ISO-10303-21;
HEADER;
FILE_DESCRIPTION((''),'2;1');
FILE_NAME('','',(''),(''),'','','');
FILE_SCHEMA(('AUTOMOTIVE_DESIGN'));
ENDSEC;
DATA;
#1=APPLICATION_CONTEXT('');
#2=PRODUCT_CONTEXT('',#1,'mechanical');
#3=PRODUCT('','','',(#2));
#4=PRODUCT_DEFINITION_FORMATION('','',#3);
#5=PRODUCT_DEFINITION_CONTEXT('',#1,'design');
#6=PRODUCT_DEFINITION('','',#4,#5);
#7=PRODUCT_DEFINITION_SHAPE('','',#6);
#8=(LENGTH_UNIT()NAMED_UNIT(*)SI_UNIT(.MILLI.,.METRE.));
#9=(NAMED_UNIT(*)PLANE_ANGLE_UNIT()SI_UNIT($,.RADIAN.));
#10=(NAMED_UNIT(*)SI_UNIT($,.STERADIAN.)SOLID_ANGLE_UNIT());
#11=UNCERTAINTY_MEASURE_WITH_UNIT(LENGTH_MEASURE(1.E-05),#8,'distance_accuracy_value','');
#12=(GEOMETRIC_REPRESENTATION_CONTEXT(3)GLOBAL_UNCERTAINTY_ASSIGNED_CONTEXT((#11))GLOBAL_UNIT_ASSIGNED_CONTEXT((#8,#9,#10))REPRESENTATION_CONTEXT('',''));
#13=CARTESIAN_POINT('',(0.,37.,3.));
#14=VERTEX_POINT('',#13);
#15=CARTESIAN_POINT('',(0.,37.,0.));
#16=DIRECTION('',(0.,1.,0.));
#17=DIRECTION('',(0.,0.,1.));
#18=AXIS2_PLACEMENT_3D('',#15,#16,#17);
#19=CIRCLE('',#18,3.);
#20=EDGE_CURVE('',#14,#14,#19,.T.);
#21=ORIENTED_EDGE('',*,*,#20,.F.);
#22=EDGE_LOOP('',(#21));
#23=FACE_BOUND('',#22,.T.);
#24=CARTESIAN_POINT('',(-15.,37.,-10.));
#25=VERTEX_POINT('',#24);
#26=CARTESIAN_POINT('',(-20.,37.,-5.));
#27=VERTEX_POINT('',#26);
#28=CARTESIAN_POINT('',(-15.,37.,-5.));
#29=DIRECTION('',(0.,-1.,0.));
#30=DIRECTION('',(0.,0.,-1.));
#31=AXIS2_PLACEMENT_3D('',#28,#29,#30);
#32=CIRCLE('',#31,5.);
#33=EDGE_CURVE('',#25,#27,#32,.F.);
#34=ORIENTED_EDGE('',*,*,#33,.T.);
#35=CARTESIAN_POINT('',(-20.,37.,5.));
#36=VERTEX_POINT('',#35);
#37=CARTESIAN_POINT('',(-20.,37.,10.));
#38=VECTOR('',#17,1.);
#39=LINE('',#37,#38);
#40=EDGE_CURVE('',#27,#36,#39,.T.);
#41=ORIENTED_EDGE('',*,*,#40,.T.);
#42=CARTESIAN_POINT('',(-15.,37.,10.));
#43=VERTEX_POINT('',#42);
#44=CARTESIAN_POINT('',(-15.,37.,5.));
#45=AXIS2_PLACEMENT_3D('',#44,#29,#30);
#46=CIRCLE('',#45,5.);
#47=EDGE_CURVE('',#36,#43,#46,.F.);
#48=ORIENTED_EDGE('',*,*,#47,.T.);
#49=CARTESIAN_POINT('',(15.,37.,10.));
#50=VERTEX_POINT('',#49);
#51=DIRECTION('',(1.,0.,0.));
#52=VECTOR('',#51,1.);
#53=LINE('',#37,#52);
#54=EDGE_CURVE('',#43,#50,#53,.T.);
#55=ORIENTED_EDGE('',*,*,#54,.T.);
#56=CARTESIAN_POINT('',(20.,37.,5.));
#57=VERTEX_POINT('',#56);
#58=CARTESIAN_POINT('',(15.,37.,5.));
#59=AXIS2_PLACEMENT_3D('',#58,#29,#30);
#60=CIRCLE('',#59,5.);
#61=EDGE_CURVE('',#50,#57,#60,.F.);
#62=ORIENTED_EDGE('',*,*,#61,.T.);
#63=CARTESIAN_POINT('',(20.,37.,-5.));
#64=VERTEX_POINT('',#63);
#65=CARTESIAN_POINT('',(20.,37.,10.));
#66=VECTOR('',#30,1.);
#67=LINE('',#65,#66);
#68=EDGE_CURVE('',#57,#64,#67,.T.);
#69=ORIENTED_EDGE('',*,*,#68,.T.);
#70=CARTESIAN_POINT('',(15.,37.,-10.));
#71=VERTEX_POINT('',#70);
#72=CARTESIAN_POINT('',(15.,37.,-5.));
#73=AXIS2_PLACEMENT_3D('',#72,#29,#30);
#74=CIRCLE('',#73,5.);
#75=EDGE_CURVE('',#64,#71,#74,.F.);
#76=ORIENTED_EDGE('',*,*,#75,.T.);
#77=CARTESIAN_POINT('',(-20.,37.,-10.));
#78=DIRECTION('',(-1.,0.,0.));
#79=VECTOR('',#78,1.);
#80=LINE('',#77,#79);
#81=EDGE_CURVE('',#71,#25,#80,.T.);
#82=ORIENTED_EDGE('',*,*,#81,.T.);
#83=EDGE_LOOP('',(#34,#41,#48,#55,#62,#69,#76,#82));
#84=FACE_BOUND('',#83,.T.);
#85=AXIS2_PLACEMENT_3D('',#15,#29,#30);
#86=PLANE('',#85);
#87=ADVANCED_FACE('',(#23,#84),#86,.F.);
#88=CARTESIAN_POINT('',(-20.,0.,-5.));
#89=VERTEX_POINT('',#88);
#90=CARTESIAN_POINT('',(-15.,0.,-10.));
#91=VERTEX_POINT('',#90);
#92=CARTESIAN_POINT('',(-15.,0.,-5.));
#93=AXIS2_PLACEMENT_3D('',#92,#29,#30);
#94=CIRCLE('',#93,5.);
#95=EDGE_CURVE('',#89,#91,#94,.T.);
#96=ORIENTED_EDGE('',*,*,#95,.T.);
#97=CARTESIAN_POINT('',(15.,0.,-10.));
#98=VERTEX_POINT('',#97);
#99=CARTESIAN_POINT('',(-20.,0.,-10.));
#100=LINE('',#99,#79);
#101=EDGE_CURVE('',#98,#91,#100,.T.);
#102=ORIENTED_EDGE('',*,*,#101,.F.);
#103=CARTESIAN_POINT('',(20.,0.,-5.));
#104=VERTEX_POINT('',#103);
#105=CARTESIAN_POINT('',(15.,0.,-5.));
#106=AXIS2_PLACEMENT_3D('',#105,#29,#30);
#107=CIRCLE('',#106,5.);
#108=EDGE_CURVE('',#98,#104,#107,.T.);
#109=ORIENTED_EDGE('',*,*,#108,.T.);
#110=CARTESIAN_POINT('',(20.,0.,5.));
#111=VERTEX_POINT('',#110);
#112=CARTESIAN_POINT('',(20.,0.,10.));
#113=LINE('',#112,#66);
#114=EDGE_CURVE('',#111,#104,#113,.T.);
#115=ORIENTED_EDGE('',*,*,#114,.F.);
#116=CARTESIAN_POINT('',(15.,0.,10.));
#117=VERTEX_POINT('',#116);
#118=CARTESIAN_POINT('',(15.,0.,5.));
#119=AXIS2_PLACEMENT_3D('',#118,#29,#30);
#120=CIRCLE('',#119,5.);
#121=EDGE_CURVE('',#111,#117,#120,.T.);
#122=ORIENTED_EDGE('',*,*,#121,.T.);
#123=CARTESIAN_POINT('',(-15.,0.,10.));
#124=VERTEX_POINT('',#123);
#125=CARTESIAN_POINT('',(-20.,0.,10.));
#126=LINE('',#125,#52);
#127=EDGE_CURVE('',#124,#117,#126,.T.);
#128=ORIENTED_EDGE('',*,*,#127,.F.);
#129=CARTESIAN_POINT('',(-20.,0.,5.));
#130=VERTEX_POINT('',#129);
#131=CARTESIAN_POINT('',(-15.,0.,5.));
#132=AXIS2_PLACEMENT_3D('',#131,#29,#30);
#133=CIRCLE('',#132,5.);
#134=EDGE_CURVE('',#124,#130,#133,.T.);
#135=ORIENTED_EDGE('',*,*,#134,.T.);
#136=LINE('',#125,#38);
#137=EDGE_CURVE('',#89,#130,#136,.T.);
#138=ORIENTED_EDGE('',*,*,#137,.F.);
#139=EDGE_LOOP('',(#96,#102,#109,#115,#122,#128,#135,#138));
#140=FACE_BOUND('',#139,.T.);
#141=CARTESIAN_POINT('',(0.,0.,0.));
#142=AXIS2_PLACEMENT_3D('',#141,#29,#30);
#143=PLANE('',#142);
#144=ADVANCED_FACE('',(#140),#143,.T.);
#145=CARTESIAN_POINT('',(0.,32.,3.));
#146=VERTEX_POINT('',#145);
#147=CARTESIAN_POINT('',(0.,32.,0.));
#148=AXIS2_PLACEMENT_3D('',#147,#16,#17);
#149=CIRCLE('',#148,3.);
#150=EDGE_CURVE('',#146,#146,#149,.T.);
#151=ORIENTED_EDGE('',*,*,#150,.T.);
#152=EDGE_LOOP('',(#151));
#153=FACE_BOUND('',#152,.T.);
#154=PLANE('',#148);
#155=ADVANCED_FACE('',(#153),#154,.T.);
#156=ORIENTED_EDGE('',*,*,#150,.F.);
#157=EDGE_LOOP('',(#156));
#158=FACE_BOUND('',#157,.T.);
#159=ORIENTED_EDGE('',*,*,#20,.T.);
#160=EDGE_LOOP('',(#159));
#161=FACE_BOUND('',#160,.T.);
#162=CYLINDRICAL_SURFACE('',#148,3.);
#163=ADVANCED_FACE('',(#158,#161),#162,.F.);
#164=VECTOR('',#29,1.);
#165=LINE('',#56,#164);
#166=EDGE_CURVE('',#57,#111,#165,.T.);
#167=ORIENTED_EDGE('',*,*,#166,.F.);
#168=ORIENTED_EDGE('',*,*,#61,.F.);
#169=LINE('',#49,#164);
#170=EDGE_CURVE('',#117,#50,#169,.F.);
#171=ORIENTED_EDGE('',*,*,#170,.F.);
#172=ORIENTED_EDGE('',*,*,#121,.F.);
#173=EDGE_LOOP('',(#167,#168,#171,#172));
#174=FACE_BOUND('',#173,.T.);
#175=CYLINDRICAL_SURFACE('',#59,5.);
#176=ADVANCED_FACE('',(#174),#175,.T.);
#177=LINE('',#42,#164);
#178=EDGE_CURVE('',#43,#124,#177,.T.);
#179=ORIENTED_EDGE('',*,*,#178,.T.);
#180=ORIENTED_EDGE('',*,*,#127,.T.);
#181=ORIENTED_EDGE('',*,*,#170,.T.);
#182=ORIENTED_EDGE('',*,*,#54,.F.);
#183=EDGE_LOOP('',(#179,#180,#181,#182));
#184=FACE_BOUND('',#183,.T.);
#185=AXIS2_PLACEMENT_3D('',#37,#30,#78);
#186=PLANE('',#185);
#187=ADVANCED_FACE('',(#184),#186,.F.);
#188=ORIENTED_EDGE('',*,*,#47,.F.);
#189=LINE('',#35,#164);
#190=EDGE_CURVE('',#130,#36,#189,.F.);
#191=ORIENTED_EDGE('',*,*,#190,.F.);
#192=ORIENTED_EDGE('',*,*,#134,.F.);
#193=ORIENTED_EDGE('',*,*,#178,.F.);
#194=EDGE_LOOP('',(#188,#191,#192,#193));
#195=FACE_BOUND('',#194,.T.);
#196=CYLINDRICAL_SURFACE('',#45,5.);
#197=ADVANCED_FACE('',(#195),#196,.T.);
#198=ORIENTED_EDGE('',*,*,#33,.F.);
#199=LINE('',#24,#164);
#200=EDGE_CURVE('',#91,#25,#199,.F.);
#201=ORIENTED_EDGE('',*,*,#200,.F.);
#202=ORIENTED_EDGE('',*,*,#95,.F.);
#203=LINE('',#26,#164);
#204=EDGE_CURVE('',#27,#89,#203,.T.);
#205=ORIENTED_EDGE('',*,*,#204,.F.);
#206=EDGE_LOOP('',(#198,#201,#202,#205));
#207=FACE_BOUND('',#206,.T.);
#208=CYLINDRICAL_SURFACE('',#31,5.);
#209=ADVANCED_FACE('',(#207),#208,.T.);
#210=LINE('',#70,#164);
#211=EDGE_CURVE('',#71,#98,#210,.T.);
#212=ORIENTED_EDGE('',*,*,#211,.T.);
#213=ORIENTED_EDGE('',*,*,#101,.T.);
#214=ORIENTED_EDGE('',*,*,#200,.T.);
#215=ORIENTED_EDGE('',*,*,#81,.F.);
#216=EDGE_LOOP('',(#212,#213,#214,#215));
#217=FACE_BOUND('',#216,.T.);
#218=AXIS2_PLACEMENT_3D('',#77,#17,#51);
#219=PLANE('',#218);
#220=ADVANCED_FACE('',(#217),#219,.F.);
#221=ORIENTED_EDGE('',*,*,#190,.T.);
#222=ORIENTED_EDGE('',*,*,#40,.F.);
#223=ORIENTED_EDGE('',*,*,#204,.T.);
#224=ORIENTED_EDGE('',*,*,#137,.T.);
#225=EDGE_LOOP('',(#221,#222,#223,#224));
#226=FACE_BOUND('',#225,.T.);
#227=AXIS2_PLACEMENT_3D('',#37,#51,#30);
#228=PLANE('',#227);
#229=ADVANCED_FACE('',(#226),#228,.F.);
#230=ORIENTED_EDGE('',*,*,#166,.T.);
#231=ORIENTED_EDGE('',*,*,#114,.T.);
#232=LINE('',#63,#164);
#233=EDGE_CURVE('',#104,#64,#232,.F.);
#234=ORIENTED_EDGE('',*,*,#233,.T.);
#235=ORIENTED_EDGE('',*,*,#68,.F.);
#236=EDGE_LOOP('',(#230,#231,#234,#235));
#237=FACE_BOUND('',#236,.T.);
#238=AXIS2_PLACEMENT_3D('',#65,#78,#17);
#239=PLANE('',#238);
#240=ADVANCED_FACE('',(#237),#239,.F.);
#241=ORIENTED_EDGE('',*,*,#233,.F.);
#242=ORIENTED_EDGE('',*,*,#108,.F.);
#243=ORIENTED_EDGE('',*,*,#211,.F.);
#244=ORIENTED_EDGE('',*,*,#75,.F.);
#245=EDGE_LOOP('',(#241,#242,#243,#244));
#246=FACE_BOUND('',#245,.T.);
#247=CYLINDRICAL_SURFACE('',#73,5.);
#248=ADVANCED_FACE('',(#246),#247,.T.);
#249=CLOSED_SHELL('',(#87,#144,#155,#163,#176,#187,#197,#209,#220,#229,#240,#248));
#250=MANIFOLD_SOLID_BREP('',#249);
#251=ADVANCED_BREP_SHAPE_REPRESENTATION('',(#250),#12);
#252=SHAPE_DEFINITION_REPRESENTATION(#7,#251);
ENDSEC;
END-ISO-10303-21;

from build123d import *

# Parameters (mm, degrees)
SKETCH1_W           = 40
SKETCH1_H           = 20
BOSS_EXTRUDE1_DEPTH = 37
FILLET1_R           = 5
SKETCH2_R           = 3
CUT_EXTRUDE1_DEPTH  = 5


with BuildPart() as part:
    # Sketch1 → Boss-Extrude1 (new body)
    with BuildSketch(Plane(origin=(0, 0, 0), x_dir=(1, 0, 0), z_dir=(0, 1, 0))):
        Rectangle(SKETCH1_W, SKETCH1_H)
    extrude(amount=BOSS_EXTRUDE1_DEPTH)

    # Fillet1
    fillet1_edges = [part.edges().sort_by_distance(p)[0] for p in [
        (20, 18.5, 10),
        (-20, 18.5, 10),
        (-20, 18.5, -10),
        (20, 18.5, -10),
    ]]
    fillet(fillet1_edges, radius=FILLET1_R)

    # Sketch2 → Cut-Extrude1 (cut)
    with BuildSketch(Plane(origin=(0, 37, 0), x_dir=(1, 0, 0), z_dir=(0, 1, 0))):
        Circle(SKETCH2_R)
    extrude(amount=-CUT_EXTRUDE1_DEPTH, mode=Mode.SUBTRACT)


solid = part.part
